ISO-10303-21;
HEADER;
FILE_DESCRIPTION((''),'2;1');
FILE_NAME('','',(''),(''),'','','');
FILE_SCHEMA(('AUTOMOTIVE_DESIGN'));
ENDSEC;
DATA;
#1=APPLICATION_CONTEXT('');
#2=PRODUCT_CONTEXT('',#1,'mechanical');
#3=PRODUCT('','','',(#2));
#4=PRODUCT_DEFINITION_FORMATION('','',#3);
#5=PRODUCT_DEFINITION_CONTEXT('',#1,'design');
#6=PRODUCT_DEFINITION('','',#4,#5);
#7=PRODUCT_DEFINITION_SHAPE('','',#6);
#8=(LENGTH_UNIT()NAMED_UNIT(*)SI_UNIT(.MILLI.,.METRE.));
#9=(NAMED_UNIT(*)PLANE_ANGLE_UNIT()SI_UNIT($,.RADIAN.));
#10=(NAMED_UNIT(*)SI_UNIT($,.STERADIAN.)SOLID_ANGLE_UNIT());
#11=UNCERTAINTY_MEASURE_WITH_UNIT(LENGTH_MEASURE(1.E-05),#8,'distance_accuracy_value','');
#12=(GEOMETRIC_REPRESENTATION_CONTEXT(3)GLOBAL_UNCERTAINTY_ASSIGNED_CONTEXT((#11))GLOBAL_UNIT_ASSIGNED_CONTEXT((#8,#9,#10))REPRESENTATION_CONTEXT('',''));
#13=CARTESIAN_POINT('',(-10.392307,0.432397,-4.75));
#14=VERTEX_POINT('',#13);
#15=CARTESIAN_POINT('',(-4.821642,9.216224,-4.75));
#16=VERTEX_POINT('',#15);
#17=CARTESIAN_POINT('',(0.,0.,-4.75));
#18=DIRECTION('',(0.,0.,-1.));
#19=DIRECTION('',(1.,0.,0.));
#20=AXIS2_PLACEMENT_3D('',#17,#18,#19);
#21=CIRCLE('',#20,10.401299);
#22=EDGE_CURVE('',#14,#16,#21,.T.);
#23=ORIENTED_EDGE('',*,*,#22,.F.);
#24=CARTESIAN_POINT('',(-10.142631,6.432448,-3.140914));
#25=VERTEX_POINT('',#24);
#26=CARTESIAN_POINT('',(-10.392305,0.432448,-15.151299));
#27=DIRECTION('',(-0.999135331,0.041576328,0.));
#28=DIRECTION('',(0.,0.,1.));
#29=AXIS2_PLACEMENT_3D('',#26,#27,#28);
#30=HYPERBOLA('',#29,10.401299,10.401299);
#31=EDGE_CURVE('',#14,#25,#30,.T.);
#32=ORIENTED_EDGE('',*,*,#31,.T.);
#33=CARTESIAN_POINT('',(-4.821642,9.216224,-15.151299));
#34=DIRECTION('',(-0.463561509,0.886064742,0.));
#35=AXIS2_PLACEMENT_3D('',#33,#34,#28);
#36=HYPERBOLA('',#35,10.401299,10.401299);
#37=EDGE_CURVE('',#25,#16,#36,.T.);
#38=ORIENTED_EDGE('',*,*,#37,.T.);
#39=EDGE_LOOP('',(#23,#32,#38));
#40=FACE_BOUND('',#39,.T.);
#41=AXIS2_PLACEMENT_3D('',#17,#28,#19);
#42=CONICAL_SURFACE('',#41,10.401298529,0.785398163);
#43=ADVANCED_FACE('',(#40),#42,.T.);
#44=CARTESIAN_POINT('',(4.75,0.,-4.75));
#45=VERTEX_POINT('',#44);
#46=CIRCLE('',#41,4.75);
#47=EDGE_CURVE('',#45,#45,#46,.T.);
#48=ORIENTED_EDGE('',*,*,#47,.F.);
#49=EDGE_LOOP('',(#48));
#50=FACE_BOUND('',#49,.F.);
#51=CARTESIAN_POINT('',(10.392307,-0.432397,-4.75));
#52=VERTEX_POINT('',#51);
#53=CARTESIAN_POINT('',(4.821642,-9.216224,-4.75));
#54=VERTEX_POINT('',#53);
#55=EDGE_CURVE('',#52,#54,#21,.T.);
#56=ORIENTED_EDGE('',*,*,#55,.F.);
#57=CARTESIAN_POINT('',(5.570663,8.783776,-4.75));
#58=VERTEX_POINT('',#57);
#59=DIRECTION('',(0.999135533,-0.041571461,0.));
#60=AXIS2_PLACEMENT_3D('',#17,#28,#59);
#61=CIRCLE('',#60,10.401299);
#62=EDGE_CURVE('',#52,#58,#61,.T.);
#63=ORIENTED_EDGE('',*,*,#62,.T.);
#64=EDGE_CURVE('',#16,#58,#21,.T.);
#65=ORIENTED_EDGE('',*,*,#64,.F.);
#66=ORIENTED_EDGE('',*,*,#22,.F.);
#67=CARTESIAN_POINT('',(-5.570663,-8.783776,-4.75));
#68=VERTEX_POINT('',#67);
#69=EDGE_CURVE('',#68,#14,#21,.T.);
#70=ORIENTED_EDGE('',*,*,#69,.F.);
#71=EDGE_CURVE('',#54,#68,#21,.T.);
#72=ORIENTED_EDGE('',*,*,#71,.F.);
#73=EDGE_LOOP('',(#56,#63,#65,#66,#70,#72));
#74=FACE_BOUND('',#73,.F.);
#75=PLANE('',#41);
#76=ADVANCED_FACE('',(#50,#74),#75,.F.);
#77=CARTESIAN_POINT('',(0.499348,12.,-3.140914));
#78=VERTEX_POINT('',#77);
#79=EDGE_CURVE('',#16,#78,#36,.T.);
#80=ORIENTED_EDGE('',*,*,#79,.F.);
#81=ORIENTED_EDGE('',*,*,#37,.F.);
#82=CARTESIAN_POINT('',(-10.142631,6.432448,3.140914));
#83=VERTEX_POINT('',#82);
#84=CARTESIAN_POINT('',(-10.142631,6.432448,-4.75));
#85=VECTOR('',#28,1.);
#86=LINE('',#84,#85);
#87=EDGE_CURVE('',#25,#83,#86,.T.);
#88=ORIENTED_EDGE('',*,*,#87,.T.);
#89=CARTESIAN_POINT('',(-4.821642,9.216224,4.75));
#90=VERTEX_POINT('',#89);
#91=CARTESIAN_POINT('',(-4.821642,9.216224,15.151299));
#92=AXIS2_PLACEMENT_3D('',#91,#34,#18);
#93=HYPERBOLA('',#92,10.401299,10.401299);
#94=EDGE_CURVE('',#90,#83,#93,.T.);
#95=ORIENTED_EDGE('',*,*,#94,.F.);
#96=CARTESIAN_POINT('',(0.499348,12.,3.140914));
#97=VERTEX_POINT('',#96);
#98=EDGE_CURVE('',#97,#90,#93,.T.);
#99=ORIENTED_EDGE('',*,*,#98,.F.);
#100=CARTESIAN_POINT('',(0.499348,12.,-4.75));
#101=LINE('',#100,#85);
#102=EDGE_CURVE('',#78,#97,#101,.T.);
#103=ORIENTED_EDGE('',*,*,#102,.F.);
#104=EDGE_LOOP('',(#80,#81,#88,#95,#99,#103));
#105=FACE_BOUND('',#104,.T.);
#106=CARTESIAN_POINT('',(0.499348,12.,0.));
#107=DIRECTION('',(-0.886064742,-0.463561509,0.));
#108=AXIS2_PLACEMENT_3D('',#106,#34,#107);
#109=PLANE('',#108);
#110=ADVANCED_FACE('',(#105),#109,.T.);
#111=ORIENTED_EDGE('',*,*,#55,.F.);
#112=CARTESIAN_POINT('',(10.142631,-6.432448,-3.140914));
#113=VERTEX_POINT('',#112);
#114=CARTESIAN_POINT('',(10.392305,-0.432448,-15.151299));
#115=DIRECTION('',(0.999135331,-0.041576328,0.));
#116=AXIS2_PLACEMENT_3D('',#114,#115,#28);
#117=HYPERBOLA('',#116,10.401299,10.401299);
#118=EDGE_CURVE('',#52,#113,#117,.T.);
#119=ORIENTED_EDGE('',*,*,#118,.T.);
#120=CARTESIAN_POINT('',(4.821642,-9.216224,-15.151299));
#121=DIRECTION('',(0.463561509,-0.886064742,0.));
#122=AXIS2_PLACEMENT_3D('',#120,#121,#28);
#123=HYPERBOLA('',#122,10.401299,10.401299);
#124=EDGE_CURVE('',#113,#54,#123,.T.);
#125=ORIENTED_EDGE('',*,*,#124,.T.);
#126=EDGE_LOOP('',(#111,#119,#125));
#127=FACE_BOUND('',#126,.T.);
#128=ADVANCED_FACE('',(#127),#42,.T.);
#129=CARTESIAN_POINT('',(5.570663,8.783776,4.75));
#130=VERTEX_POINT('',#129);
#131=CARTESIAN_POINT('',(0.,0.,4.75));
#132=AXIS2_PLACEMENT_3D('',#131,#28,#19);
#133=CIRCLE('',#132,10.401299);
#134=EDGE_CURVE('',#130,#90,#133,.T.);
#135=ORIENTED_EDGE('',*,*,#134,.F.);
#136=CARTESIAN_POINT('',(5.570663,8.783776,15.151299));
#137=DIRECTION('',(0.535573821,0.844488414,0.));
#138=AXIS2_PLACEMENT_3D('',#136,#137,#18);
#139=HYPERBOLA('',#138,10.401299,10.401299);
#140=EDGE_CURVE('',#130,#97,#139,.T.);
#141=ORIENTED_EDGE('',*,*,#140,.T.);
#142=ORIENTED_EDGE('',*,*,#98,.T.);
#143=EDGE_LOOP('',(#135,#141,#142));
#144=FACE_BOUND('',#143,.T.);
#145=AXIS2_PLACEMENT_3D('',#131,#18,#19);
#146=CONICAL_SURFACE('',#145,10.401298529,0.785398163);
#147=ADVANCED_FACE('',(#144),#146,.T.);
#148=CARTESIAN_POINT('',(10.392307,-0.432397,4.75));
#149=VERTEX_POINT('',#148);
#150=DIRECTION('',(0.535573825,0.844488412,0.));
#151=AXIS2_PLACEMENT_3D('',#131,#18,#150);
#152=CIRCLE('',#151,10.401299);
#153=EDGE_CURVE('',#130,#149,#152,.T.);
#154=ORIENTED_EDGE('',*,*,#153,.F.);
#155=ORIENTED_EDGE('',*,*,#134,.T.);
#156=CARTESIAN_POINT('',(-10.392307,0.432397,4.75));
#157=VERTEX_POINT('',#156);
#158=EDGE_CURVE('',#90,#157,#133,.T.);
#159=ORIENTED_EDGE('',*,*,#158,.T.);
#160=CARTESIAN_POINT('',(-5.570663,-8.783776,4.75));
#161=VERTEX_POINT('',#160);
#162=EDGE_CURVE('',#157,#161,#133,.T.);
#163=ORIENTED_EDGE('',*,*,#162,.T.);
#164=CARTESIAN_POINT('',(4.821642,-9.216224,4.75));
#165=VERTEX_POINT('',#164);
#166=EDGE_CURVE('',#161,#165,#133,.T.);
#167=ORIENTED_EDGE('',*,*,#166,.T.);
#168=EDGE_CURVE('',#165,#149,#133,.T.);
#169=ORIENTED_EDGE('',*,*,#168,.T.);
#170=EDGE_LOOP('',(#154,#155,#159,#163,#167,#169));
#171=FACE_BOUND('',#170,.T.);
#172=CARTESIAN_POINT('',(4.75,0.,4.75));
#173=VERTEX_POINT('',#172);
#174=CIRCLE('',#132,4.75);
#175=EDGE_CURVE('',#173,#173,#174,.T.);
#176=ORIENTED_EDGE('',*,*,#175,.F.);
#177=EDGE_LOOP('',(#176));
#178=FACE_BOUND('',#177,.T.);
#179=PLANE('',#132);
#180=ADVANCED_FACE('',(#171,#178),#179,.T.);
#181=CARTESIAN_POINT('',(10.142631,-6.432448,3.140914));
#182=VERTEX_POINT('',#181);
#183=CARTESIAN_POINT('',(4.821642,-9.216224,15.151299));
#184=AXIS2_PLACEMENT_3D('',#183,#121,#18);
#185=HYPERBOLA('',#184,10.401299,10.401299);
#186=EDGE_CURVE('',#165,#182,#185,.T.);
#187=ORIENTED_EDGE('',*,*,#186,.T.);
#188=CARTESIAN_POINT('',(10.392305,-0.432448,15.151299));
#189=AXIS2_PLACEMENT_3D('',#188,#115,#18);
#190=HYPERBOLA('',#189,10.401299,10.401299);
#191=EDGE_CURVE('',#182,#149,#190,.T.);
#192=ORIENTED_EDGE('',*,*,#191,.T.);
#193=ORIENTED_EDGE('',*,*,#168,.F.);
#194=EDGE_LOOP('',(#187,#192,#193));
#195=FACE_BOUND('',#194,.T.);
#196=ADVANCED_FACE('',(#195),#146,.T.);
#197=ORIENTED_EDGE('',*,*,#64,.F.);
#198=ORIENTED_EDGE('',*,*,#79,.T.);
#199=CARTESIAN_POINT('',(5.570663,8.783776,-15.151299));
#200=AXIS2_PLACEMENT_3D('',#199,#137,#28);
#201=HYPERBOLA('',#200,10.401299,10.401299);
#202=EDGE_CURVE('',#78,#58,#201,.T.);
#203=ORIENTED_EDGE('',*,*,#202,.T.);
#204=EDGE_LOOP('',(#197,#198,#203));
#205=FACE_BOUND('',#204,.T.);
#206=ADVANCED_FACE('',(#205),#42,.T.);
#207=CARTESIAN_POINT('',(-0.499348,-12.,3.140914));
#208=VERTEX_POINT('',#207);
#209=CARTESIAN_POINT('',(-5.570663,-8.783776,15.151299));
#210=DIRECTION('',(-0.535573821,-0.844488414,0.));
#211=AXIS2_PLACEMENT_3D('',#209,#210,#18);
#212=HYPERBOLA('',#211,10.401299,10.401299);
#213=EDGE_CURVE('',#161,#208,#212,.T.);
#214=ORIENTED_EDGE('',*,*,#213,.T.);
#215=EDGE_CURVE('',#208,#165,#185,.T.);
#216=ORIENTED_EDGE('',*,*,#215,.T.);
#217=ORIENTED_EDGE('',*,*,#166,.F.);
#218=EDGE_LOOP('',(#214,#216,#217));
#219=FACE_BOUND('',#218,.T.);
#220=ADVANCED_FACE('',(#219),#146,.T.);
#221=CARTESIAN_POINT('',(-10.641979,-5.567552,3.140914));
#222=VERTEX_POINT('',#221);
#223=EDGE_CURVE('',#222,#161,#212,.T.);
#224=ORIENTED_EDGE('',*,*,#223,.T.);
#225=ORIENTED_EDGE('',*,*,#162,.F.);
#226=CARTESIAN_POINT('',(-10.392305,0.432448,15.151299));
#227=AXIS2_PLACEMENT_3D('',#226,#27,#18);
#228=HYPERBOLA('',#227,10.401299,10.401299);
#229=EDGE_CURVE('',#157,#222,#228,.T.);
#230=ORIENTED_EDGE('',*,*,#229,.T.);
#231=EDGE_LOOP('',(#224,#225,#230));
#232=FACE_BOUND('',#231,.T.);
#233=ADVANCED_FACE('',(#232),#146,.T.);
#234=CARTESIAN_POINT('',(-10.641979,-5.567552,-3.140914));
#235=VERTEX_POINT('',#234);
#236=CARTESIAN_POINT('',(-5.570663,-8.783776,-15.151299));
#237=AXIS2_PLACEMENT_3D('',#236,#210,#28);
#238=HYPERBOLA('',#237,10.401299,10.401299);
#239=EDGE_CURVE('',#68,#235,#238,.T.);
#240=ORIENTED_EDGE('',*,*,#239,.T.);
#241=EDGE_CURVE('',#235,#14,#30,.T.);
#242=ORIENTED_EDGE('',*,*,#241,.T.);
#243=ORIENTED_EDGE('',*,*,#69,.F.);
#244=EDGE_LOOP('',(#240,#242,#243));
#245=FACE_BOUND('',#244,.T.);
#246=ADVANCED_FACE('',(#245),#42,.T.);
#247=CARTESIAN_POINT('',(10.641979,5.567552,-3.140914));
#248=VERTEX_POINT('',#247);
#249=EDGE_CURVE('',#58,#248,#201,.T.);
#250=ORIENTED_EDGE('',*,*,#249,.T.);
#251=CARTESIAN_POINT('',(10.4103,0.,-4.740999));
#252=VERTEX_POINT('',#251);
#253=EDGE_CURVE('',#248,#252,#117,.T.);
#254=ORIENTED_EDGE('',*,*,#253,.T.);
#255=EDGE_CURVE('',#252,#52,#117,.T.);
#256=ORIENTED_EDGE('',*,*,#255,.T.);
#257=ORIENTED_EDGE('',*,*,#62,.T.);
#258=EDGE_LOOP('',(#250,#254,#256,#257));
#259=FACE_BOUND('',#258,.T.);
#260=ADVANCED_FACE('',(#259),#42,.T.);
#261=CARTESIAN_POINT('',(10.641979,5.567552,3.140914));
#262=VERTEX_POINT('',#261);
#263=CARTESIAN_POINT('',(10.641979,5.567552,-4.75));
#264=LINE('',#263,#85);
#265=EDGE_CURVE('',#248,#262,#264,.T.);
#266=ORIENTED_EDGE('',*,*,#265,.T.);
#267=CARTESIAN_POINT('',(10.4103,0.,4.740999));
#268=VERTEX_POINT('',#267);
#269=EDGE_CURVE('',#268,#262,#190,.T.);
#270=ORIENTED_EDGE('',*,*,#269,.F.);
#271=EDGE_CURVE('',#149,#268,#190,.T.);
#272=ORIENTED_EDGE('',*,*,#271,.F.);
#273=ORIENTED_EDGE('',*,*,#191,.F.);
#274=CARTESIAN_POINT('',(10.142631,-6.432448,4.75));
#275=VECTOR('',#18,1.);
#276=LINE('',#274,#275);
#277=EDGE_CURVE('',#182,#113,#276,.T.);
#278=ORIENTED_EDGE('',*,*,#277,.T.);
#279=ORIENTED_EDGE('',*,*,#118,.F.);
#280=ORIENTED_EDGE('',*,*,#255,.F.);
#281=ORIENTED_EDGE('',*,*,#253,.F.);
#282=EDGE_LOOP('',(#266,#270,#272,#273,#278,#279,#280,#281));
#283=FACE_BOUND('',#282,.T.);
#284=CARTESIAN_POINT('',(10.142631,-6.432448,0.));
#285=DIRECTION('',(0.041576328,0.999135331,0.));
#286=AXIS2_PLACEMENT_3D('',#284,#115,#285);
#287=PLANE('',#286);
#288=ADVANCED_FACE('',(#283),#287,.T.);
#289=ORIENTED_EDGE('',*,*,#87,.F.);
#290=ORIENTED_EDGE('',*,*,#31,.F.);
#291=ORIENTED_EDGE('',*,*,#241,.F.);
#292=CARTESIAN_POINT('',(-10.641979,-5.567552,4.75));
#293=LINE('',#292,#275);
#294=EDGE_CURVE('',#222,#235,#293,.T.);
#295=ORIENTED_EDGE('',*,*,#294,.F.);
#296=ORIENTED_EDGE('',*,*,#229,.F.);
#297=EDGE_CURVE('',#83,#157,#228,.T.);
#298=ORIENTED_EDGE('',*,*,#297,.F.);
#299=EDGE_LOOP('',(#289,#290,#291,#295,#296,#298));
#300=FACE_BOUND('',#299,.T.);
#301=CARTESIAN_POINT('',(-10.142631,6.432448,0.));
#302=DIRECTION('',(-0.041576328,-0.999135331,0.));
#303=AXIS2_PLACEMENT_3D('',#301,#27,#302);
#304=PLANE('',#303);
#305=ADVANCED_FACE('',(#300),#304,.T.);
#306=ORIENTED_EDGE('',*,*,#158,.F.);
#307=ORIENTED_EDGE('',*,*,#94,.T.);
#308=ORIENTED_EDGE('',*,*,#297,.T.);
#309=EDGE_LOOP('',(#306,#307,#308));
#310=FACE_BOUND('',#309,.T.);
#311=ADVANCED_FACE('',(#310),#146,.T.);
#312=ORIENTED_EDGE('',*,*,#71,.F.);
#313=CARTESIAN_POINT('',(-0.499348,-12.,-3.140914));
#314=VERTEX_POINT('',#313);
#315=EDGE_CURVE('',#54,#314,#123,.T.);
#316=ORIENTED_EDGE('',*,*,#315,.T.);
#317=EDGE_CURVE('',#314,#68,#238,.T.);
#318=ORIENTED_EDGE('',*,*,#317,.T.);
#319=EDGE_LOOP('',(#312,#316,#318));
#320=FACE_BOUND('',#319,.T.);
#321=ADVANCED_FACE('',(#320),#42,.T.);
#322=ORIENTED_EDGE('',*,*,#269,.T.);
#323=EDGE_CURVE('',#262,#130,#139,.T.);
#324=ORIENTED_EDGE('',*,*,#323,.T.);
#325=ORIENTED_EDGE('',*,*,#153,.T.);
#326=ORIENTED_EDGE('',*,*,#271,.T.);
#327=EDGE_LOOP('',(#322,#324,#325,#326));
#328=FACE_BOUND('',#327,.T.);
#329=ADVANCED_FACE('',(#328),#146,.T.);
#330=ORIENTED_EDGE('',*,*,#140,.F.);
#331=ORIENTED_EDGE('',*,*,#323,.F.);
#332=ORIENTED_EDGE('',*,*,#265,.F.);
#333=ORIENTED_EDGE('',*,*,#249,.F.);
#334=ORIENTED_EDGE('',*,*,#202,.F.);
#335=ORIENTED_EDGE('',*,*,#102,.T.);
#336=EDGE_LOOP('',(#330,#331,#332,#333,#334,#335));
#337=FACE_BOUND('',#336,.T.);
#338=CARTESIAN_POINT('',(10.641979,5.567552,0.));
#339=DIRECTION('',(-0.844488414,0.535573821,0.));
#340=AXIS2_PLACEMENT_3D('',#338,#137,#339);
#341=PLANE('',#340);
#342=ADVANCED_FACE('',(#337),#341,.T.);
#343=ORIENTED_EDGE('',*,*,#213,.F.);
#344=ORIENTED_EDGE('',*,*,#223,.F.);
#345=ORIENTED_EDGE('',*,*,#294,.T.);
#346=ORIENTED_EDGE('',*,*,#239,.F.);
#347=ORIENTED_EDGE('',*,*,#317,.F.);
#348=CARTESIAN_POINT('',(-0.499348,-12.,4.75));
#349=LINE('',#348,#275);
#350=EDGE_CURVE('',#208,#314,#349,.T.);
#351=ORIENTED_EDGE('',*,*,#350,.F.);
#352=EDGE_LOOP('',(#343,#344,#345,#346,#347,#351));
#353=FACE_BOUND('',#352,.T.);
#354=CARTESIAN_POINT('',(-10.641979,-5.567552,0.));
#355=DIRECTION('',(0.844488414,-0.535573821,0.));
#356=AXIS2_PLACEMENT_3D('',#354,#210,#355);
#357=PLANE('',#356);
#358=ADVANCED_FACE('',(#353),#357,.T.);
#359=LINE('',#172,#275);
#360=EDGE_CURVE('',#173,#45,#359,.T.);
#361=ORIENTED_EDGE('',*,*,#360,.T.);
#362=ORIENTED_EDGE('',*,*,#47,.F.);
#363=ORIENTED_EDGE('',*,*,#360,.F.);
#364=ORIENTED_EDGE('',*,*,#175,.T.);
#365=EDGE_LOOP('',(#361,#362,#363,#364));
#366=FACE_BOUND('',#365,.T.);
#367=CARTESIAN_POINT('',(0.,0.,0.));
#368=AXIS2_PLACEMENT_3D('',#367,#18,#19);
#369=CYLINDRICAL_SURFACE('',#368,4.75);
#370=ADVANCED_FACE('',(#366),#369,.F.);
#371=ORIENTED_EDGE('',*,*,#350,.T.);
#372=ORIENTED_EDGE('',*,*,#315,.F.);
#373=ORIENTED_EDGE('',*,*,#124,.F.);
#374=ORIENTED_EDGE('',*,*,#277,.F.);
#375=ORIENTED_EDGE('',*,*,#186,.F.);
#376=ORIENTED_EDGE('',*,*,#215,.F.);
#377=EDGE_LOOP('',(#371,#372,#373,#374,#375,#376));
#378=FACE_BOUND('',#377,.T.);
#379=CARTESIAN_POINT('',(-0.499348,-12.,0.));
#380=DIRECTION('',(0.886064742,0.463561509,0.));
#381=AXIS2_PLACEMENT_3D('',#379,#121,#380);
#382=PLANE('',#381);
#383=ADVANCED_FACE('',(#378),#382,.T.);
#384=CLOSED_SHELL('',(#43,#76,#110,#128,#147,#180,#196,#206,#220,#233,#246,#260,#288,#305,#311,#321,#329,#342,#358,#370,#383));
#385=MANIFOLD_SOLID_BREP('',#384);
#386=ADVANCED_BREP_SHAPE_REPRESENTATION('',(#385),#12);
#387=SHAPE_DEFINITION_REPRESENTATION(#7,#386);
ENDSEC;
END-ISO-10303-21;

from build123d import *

# Parameters (mm, degrees)
SKETCH1_R               = 4.75
BOSS_EXTRUDE1_DEPTH     = 4.75
SKETCH2_OUTSIDE_W       = 48.976
SKETCH2_OUTSIDE_H       = 51.692
SKETCH2_OUTSIDE_R       = 10.401298529
CUT_EXTRUDE1_DEPTH      = 9.5
CUT_EXTRUDE1_DRAFT      = -45
MIRROR1_COPY_1_SKETCH_W = 48.976
MIRROR1_COPY_1_SKETCH_H = 51.692
MIRROR1_COPY_1_SKETCH_R = 10.401298529
MIRROR1_COPY_1_DEPTH    = 9.5
MIRROR1_COPY_1_DRAFT    = -45


with BuildPart() as part:
    # Sketch1 → Boss-Extrude1 (new, symmetric)
    with BuildSketch(Plane.XY):
        Polygon((10.142630994, -6.432447795), (10.641978696, 5.567552205), (0.499347702, 12), (-10.142630994, 6.432447795), (-10.641978696, -5.567552205), (-0.499347702, -12), align=None)
        Circle(SKETCH1_R, mode=Mode.SUBTRACT)
    extrude(amount=BOSS_EXTRUDE1_DEPTH, both=True)


with BuildPart() as cut_extrude1_tool:
    # Sketch2 outside → Cut-Extrude1 (with draft: the straight prism first)
    with BuildSketch(Plane.XY.offset(4.75)):
        Rectangle(SKETCH2_OUTSIDE_W, SKETCH2_OUTSIDE_H)
        Circle(SKETCH2_OUTSIDE_R, mode=Mode.SUBTRACT)
    extrude(amount=-CUT_EXTRUDE1_DEPTH)
    # Cut-Extrude1: the draft: its side faces are tilted about the plane it starts from
    cut_extrude1_sides = [cut_extrude1_tool.faces().sort_by_distance(p)[0] for p in [
        (0, -25.846, 0),
        (24.488, 0, 0),
        (0, 25.846, 0),
        (-24.488, 0, 0),
        (-10.401298529, 0, 0),
    ]]
    draft(cut_extrude1_sides, Plane.XY.offset(4.75), CUT_EXTRUDE1_DRAFT)


with BuildPart() as part_1:
    add(part.part)

    # Cut-Extrude1: cut by cut_extrude1_tool
    add(cut_extrude1_tool.part, mode=Mode.SUBTRACT)


with BuildPart() as mirror1_copy_1_tool:
    # Mirror1 copy 1 sketch → Mirror1 copy 1 (with draft: the straight prism first)
    with BuildSketch(Plane(origin=(0, 0, -4.75), x_dir=(1, 0, 0), z_dir=(0, 0, -1))):
        Rectangle(MIRROR1_COPY_1_SKETCH_W, MIRROR1_COPY_1_SKETCH_H)
        Circle(MIRROR1_COPY_1_SKETCH_R, mode=Mode.SUBTRACT)
    extrude(amount=-MIRROR1_COPY_1_DEPTH)
    # Mirror1 copy 1: the draft: its side faces are tilted about the plane it starts from
    mirror1_copy_1_sides = [mirror1_copy_1_tool.faces().sort_by_distance(p)[0] for p in [
        (0, -25.846, 0),
        (24.488, 0, 0),
        (0, 25.846, 0),
        (-24.488, 0, 0),
        (-10.401298529, 0, 0),
    ]]
    draft(mirror1_copy_1_sides, Plane(origin=(0, 0, -4.75), x_dir=(1, 0, 0), z_dir=(0, 0, -1)), MIRROR1_COPY_1_DRAFT)


with BuildPart() as part_2:
    add(part_1.part)

    # Mirror1 copy 1: cut by mirror1_copy_1_tool
    add(mirror1_copy_1_tool.part, mode=Mode.SUBTRACT)


solid = part_2.part
